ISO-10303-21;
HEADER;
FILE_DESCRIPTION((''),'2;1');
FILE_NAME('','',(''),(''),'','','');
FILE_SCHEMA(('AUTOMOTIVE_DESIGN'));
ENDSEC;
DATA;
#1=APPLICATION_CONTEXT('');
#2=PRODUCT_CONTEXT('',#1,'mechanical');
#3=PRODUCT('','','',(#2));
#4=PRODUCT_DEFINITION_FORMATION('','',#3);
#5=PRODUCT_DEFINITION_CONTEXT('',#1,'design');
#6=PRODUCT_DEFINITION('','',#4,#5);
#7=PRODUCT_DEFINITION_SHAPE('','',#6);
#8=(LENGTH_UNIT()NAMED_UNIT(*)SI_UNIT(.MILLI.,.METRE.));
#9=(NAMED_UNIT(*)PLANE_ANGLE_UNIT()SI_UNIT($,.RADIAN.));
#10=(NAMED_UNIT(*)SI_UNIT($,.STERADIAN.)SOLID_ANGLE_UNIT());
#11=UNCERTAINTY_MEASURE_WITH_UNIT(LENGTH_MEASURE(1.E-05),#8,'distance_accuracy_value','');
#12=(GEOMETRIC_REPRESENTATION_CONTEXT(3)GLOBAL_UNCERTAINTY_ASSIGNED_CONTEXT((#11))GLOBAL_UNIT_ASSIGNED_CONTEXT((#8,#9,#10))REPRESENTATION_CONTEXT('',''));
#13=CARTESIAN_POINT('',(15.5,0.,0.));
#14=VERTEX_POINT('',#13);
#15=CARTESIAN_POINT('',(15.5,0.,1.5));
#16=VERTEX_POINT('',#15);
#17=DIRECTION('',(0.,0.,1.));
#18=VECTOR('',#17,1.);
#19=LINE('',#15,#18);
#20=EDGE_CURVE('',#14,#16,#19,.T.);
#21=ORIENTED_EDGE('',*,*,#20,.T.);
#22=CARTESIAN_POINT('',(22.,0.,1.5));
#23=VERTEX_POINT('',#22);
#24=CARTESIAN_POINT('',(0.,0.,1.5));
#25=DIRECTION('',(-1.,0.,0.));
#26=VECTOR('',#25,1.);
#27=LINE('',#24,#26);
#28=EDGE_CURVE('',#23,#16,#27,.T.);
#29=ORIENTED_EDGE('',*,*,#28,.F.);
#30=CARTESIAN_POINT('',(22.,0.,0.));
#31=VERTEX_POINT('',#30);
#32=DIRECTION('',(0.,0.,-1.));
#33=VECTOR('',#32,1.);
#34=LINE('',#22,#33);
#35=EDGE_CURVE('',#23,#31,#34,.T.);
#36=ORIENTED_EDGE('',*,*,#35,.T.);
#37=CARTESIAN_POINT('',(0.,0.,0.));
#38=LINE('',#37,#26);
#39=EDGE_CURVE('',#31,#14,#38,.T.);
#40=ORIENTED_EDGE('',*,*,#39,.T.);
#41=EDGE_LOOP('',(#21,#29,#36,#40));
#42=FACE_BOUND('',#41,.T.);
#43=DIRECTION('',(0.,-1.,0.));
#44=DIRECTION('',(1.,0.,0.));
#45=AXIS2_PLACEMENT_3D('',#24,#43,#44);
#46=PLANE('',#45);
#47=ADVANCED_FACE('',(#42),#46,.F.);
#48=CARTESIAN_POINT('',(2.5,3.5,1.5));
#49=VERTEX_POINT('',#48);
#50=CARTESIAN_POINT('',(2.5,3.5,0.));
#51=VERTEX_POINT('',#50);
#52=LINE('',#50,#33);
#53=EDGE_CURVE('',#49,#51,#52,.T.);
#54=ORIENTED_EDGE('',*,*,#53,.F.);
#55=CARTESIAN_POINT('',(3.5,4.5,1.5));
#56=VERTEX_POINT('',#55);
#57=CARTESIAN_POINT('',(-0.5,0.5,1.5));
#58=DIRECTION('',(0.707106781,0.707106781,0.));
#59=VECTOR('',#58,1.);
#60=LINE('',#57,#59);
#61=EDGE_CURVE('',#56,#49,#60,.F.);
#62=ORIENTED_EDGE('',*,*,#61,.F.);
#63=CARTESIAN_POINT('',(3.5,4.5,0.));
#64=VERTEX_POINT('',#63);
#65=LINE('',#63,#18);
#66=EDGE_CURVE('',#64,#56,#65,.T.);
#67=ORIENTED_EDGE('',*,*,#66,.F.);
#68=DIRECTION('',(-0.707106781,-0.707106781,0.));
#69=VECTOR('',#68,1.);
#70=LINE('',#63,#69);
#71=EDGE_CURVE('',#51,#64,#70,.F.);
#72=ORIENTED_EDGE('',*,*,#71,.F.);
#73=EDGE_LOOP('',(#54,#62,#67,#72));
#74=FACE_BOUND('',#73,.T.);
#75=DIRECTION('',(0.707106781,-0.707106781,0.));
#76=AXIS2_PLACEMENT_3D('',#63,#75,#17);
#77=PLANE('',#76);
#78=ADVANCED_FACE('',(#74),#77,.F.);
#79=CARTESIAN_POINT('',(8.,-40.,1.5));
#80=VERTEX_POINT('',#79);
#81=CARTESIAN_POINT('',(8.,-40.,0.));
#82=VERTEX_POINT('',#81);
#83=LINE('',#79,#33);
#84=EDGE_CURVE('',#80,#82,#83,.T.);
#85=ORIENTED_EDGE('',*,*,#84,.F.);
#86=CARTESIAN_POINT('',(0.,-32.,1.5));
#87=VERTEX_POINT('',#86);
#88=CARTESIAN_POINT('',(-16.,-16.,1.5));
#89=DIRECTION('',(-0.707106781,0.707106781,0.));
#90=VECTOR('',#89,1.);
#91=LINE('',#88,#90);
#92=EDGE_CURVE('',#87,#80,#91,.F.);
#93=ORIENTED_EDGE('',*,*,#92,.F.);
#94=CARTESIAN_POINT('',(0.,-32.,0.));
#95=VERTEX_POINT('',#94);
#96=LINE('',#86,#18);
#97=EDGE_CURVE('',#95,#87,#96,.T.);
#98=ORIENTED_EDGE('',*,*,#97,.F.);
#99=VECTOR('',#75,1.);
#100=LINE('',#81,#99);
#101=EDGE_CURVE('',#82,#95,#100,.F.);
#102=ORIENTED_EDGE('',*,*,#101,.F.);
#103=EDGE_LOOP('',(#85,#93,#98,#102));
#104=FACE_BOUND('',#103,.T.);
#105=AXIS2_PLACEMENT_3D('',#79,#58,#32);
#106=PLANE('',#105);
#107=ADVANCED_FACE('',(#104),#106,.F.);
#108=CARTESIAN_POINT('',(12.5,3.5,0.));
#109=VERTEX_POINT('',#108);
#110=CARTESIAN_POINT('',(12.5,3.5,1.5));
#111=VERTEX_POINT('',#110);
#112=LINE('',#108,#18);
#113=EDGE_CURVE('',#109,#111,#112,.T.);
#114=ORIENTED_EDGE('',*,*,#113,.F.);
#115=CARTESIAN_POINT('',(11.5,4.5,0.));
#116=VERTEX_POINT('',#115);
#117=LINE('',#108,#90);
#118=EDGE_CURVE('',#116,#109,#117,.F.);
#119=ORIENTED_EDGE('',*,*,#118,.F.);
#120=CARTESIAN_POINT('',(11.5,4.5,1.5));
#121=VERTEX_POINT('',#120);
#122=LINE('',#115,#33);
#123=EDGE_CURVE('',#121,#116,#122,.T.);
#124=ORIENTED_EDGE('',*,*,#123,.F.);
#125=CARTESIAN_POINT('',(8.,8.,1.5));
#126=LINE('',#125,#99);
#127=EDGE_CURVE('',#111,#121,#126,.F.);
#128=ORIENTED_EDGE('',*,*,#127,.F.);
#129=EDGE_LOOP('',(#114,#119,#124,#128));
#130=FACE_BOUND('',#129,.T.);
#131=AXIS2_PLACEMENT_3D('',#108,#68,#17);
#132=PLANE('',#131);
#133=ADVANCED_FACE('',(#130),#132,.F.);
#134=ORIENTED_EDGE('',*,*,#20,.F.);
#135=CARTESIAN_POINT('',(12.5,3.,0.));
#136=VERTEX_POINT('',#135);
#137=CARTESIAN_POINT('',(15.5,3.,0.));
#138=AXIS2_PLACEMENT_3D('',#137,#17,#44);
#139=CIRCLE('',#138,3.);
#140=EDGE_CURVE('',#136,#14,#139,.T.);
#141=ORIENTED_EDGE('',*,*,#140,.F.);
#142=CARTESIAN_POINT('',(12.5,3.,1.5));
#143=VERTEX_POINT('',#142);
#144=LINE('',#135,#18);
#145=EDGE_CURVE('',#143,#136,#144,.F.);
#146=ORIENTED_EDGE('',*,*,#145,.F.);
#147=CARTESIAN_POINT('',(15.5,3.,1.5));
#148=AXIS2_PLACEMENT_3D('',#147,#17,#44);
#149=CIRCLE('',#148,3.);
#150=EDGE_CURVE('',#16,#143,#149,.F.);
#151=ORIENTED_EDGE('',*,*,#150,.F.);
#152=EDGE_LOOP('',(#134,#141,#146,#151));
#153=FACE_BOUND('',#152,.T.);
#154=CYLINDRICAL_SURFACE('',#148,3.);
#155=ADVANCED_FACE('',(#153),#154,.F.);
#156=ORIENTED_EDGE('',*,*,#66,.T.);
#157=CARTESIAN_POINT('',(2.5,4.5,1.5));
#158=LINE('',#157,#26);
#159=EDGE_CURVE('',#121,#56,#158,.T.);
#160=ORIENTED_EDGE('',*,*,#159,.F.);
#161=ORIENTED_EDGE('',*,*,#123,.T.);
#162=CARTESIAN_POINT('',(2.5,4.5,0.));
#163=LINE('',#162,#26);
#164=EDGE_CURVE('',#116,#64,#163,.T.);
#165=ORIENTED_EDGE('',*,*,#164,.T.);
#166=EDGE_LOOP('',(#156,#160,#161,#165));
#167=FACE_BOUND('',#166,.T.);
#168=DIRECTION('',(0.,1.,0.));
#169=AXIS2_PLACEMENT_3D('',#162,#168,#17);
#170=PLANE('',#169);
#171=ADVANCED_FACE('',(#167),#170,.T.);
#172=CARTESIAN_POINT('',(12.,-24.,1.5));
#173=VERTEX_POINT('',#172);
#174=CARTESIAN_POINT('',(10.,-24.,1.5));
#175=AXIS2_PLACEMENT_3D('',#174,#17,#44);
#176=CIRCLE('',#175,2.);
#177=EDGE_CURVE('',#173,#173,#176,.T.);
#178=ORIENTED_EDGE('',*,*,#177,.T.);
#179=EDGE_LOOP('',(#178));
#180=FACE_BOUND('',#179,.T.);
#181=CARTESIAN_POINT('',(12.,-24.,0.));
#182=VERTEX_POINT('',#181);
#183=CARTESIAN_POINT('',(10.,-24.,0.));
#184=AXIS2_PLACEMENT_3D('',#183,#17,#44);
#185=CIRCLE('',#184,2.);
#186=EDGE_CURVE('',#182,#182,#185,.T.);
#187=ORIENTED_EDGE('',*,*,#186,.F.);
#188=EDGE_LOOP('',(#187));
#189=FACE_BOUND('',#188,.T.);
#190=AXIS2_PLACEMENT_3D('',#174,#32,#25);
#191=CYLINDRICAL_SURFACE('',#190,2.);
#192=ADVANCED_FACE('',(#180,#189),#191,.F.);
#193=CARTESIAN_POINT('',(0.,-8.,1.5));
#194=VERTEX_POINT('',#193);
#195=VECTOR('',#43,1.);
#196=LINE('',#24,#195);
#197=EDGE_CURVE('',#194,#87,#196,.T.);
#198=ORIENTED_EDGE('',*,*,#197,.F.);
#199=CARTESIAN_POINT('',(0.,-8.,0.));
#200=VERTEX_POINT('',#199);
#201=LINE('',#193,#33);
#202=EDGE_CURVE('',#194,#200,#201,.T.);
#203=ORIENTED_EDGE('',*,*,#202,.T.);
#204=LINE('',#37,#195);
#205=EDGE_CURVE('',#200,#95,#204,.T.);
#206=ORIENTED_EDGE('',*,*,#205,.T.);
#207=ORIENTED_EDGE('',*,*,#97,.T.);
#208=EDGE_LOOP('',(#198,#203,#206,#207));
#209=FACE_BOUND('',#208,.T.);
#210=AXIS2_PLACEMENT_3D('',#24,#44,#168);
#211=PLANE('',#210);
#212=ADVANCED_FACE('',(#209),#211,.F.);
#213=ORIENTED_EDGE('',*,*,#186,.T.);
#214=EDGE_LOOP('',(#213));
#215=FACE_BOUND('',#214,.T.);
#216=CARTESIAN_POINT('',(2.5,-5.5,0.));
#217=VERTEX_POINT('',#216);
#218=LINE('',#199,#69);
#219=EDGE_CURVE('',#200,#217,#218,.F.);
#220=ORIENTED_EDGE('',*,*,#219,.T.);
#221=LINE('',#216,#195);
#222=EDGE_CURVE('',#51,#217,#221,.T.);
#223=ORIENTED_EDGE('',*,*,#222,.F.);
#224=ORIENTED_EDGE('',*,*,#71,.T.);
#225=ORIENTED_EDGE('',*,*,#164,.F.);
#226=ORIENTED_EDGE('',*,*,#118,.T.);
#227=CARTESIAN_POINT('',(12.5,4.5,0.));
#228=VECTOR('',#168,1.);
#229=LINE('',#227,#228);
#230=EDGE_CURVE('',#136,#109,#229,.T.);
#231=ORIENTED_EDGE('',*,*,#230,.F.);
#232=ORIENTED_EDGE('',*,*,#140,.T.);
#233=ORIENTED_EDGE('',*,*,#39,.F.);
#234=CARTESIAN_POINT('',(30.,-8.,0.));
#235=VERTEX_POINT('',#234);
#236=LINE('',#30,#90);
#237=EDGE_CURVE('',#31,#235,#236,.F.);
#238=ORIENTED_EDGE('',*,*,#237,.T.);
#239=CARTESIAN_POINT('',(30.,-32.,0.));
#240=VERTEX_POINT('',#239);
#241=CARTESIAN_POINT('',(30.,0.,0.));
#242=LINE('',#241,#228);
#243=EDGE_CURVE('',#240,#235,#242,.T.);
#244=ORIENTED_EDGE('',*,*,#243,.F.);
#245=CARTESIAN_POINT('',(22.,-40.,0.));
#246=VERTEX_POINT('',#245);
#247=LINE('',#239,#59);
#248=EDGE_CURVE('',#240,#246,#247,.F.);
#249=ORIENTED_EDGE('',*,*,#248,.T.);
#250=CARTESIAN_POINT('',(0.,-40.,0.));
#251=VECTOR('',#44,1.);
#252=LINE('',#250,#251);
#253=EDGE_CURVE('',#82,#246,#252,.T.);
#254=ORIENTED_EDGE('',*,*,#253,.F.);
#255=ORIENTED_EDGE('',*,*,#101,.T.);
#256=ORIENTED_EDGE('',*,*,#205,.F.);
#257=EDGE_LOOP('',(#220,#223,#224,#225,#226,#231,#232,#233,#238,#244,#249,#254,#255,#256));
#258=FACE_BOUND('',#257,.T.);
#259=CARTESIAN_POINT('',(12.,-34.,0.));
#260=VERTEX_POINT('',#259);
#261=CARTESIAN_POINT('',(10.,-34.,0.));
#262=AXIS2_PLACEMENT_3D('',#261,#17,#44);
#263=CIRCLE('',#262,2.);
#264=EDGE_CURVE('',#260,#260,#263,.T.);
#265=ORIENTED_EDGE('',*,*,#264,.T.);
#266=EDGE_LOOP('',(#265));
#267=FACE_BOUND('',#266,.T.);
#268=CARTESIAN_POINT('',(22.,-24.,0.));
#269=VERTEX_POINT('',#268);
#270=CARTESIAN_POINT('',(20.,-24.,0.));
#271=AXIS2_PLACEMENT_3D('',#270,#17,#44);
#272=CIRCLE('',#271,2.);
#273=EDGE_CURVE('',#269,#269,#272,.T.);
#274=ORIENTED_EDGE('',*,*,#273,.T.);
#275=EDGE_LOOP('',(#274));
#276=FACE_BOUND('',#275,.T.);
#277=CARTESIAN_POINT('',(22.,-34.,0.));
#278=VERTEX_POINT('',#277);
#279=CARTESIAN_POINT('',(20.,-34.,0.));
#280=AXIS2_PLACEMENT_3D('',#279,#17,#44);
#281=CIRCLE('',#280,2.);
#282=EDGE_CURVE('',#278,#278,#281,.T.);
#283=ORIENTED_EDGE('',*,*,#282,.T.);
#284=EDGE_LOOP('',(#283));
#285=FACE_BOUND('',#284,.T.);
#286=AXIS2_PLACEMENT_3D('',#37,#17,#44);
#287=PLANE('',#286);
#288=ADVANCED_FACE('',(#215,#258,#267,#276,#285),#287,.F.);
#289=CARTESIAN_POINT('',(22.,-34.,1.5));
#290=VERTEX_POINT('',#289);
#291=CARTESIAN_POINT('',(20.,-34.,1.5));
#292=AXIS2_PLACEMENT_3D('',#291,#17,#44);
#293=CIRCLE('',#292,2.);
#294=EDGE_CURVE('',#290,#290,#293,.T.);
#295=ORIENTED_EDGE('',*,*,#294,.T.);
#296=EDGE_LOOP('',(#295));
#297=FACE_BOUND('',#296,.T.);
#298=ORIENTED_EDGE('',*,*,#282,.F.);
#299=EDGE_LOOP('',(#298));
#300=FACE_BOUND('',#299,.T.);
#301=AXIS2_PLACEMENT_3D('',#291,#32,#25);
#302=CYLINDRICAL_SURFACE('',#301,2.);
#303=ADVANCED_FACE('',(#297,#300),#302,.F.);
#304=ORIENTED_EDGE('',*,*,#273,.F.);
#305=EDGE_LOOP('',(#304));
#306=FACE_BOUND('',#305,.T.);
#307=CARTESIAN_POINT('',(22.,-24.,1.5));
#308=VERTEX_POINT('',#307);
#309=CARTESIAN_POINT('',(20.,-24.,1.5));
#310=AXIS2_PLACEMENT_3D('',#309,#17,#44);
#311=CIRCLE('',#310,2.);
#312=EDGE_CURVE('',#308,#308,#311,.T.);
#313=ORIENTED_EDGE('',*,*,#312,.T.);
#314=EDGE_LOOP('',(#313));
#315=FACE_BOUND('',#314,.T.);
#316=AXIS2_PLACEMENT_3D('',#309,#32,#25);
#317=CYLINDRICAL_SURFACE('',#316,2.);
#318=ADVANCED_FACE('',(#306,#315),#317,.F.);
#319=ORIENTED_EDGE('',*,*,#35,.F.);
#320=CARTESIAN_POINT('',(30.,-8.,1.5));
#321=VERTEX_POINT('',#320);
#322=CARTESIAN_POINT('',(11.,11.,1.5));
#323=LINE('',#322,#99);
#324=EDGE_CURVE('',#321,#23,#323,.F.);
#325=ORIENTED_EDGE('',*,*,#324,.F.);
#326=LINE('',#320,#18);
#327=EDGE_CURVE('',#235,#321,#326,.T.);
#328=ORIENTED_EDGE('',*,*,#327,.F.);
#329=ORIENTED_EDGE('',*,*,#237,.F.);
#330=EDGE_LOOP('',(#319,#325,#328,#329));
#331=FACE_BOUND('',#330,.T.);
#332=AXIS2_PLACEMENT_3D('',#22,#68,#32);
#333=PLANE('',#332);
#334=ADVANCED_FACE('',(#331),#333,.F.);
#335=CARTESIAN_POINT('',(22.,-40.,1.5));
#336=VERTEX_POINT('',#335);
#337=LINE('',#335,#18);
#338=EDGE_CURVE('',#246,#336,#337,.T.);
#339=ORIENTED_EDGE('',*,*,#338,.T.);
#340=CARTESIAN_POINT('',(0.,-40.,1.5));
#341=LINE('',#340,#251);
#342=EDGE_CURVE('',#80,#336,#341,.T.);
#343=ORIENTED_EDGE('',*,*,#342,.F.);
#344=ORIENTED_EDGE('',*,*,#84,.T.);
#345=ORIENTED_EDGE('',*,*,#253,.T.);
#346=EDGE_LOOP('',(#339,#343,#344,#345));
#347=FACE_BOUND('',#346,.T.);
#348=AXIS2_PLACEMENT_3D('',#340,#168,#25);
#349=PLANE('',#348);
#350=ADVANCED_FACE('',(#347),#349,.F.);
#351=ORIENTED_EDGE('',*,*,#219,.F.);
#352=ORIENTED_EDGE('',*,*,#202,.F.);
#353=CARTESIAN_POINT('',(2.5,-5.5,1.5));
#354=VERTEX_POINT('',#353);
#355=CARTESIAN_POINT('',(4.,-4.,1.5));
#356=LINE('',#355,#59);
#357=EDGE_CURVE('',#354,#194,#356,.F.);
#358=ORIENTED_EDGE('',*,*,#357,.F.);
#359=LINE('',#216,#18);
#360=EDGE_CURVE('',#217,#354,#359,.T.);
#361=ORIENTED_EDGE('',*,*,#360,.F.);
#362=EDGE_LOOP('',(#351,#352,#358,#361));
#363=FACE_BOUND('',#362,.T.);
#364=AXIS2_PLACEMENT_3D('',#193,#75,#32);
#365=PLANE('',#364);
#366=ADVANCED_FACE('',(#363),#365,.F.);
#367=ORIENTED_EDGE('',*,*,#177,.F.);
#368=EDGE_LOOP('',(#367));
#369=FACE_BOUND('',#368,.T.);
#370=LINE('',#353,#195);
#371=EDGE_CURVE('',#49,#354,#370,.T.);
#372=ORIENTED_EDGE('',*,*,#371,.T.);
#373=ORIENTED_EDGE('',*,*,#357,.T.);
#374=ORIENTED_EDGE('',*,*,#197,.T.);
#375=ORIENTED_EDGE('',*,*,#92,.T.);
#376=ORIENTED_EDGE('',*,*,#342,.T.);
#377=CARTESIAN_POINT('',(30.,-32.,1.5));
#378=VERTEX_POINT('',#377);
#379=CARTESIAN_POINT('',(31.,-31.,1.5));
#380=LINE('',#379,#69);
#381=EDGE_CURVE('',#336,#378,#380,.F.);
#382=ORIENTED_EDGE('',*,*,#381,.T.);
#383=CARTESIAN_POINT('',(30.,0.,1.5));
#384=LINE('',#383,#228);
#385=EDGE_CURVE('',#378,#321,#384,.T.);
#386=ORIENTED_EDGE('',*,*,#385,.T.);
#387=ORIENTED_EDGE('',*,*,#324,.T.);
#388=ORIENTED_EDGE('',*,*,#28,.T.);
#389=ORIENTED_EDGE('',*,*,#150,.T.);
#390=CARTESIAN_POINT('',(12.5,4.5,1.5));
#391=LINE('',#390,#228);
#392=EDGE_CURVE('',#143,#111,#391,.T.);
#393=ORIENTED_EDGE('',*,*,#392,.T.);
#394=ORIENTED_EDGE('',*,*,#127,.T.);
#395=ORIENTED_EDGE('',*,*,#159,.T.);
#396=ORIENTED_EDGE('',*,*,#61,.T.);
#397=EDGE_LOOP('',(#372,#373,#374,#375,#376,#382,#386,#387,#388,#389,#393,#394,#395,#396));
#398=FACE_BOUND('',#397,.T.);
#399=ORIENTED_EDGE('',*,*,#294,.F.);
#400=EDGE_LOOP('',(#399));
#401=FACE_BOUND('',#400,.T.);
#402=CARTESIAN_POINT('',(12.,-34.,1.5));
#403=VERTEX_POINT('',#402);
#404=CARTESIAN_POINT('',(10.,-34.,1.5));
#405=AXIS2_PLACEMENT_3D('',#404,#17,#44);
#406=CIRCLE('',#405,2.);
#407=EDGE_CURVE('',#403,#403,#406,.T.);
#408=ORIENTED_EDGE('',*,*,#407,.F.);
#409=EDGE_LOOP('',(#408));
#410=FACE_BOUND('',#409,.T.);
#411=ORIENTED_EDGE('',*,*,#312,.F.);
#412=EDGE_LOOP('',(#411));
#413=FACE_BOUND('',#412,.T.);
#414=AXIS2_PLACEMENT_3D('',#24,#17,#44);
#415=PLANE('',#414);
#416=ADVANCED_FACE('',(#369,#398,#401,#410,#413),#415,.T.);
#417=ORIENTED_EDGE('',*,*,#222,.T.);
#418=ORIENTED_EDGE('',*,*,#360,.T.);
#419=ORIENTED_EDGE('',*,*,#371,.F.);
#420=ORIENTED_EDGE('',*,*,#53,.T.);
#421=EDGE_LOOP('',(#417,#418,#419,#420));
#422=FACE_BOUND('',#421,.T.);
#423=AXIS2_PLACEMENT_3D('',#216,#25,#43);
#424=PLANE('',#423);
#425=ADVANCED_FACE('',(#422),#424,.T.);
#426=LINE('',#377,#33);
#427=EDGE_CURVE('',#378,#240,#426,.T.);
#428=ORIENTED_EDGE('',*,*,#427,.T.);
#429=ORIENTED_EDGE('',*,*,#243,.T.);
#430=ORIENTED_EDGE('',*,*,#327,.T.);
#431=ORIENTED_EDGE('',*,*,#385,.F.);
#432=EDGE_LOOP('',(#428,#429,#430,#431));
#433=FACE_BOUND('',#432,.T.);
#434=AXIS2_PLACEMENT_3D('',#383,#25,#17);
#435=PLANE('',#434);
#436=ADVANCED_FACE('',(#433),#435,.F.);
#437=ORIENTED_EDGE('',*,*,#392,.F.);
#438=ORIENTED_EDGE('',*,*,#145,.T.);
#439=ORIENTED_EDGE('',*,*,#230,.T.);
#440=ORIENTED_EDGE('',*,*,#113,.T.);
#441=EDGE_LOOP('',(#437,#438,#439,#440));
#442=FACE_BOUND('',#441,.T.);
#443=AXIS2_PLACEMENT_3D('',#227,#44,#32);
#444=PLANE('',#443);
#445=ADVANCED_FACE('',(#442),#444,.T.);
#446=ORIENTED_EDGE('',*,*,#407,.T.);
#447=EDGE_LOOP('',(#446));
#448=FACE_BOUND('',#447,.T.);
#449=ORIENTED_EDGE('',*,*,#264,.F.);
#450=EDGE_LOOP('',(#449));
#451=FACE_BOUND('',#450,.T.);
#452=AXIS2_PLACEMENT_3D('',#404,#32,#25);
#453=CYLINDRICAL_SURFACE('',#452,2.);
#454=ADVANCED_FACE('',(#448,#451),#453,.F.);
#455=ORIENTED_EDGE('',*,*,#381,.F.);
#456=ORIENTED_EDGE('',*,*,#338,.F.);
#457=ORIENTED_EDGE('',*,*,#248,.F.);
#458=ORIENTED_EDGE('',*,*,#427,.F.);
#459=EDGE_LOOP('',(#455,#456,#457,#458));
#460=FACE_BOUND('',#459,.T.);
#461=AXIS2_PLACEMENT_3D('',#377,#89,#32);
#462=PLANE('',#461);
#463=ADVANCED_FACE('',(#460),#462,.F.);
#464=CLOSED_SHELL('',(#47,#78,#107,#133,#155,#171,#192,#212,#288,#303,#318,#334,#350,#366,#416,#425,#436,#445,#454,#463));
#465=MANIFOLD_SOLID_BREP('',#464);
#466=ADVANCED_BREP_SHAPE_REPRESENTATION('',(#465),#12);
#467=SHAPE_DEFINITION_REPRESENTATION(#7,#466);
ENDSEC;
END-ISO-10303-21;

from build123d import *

# Parameters (mm, degrees)
SKETCH1_W           = 30
SKETCH1_H           = 40
SKETCH1_R           = 2
BOSS_EXTRUDE1_DEPTH = 1.5
CHAMFER1_SIZE       = 8
SKETCH2_W           = 10
SKETCH2_H           = 10
BOSS_EXTRUDE2_DEPTH = 1.5
CHAMFER3_SIZE       = 1
FILLET1_R           = 3


with BuildPart() as part:
    # Sketch1 → Boss-Extrude1 (new body)
    with BuildSketch(Plane.XY):
        with Locations((15, -20)):
            Rectangle(SKETCH1_W, SKETCH1_H)
        with Locations((20, -34)):
            Circle(SKETCH1_R, mode=Mode.SUBTRACT)
        with Locations((10, -34)):
            Circle(SKETCH1_R, mode=Mode.SUBTRACT)
        with Locations((20, -24)):
            Circle(SKETCH1_R, mode=Mode.SUBTRACT)
        with Locations((10, -24)):
            Circle(SKETCH1_R, mode=Mode.SUBTRACT)
    extrude(amount=BOSS_EXTRUDE1_DEPTH)

    # Chamfer1
    chamfer1_edges = [part.edges().sort_by_distance(p)[0] for p in [
        (0, 0, 0.75),
        (30, 0, 0.75),
        (30, -40, 0.75),
        (0, -40, 0.75),
    ]]
    chamfer(chamfer1_edges, length=CHAMFER1_SIZE)

    # Sketch2 → Boss-Extrude2 (add)
    with BuildSketch(Plane.XY.offset(1.5)):
        with Locations((7.5, -0.5)):
            Rectangle(SKETCH2_W, SKETCH2_H)
    extrude(amount=-BOSS_EXTRUDE2_DEPTH)

    # Chamfer3
    chamfer3_edges = [part.edges().sort_by_distance(p)[0] for p in [
        (12.5, 4.5, 0.75),
        (2.5, 4.5, 0.75),
    ]]
    chamfer(chamfer3_edges, length=CHAMFER3_SIZE)

    # Fillet1
    fillet1_edges = [part.edges().sort_by_distance(p)[0] for p in [
        (12.5, 0, 0.75),
    ]]
    fillet(fillet1_edges, radius=FILLET1_R)


solid = part.part
